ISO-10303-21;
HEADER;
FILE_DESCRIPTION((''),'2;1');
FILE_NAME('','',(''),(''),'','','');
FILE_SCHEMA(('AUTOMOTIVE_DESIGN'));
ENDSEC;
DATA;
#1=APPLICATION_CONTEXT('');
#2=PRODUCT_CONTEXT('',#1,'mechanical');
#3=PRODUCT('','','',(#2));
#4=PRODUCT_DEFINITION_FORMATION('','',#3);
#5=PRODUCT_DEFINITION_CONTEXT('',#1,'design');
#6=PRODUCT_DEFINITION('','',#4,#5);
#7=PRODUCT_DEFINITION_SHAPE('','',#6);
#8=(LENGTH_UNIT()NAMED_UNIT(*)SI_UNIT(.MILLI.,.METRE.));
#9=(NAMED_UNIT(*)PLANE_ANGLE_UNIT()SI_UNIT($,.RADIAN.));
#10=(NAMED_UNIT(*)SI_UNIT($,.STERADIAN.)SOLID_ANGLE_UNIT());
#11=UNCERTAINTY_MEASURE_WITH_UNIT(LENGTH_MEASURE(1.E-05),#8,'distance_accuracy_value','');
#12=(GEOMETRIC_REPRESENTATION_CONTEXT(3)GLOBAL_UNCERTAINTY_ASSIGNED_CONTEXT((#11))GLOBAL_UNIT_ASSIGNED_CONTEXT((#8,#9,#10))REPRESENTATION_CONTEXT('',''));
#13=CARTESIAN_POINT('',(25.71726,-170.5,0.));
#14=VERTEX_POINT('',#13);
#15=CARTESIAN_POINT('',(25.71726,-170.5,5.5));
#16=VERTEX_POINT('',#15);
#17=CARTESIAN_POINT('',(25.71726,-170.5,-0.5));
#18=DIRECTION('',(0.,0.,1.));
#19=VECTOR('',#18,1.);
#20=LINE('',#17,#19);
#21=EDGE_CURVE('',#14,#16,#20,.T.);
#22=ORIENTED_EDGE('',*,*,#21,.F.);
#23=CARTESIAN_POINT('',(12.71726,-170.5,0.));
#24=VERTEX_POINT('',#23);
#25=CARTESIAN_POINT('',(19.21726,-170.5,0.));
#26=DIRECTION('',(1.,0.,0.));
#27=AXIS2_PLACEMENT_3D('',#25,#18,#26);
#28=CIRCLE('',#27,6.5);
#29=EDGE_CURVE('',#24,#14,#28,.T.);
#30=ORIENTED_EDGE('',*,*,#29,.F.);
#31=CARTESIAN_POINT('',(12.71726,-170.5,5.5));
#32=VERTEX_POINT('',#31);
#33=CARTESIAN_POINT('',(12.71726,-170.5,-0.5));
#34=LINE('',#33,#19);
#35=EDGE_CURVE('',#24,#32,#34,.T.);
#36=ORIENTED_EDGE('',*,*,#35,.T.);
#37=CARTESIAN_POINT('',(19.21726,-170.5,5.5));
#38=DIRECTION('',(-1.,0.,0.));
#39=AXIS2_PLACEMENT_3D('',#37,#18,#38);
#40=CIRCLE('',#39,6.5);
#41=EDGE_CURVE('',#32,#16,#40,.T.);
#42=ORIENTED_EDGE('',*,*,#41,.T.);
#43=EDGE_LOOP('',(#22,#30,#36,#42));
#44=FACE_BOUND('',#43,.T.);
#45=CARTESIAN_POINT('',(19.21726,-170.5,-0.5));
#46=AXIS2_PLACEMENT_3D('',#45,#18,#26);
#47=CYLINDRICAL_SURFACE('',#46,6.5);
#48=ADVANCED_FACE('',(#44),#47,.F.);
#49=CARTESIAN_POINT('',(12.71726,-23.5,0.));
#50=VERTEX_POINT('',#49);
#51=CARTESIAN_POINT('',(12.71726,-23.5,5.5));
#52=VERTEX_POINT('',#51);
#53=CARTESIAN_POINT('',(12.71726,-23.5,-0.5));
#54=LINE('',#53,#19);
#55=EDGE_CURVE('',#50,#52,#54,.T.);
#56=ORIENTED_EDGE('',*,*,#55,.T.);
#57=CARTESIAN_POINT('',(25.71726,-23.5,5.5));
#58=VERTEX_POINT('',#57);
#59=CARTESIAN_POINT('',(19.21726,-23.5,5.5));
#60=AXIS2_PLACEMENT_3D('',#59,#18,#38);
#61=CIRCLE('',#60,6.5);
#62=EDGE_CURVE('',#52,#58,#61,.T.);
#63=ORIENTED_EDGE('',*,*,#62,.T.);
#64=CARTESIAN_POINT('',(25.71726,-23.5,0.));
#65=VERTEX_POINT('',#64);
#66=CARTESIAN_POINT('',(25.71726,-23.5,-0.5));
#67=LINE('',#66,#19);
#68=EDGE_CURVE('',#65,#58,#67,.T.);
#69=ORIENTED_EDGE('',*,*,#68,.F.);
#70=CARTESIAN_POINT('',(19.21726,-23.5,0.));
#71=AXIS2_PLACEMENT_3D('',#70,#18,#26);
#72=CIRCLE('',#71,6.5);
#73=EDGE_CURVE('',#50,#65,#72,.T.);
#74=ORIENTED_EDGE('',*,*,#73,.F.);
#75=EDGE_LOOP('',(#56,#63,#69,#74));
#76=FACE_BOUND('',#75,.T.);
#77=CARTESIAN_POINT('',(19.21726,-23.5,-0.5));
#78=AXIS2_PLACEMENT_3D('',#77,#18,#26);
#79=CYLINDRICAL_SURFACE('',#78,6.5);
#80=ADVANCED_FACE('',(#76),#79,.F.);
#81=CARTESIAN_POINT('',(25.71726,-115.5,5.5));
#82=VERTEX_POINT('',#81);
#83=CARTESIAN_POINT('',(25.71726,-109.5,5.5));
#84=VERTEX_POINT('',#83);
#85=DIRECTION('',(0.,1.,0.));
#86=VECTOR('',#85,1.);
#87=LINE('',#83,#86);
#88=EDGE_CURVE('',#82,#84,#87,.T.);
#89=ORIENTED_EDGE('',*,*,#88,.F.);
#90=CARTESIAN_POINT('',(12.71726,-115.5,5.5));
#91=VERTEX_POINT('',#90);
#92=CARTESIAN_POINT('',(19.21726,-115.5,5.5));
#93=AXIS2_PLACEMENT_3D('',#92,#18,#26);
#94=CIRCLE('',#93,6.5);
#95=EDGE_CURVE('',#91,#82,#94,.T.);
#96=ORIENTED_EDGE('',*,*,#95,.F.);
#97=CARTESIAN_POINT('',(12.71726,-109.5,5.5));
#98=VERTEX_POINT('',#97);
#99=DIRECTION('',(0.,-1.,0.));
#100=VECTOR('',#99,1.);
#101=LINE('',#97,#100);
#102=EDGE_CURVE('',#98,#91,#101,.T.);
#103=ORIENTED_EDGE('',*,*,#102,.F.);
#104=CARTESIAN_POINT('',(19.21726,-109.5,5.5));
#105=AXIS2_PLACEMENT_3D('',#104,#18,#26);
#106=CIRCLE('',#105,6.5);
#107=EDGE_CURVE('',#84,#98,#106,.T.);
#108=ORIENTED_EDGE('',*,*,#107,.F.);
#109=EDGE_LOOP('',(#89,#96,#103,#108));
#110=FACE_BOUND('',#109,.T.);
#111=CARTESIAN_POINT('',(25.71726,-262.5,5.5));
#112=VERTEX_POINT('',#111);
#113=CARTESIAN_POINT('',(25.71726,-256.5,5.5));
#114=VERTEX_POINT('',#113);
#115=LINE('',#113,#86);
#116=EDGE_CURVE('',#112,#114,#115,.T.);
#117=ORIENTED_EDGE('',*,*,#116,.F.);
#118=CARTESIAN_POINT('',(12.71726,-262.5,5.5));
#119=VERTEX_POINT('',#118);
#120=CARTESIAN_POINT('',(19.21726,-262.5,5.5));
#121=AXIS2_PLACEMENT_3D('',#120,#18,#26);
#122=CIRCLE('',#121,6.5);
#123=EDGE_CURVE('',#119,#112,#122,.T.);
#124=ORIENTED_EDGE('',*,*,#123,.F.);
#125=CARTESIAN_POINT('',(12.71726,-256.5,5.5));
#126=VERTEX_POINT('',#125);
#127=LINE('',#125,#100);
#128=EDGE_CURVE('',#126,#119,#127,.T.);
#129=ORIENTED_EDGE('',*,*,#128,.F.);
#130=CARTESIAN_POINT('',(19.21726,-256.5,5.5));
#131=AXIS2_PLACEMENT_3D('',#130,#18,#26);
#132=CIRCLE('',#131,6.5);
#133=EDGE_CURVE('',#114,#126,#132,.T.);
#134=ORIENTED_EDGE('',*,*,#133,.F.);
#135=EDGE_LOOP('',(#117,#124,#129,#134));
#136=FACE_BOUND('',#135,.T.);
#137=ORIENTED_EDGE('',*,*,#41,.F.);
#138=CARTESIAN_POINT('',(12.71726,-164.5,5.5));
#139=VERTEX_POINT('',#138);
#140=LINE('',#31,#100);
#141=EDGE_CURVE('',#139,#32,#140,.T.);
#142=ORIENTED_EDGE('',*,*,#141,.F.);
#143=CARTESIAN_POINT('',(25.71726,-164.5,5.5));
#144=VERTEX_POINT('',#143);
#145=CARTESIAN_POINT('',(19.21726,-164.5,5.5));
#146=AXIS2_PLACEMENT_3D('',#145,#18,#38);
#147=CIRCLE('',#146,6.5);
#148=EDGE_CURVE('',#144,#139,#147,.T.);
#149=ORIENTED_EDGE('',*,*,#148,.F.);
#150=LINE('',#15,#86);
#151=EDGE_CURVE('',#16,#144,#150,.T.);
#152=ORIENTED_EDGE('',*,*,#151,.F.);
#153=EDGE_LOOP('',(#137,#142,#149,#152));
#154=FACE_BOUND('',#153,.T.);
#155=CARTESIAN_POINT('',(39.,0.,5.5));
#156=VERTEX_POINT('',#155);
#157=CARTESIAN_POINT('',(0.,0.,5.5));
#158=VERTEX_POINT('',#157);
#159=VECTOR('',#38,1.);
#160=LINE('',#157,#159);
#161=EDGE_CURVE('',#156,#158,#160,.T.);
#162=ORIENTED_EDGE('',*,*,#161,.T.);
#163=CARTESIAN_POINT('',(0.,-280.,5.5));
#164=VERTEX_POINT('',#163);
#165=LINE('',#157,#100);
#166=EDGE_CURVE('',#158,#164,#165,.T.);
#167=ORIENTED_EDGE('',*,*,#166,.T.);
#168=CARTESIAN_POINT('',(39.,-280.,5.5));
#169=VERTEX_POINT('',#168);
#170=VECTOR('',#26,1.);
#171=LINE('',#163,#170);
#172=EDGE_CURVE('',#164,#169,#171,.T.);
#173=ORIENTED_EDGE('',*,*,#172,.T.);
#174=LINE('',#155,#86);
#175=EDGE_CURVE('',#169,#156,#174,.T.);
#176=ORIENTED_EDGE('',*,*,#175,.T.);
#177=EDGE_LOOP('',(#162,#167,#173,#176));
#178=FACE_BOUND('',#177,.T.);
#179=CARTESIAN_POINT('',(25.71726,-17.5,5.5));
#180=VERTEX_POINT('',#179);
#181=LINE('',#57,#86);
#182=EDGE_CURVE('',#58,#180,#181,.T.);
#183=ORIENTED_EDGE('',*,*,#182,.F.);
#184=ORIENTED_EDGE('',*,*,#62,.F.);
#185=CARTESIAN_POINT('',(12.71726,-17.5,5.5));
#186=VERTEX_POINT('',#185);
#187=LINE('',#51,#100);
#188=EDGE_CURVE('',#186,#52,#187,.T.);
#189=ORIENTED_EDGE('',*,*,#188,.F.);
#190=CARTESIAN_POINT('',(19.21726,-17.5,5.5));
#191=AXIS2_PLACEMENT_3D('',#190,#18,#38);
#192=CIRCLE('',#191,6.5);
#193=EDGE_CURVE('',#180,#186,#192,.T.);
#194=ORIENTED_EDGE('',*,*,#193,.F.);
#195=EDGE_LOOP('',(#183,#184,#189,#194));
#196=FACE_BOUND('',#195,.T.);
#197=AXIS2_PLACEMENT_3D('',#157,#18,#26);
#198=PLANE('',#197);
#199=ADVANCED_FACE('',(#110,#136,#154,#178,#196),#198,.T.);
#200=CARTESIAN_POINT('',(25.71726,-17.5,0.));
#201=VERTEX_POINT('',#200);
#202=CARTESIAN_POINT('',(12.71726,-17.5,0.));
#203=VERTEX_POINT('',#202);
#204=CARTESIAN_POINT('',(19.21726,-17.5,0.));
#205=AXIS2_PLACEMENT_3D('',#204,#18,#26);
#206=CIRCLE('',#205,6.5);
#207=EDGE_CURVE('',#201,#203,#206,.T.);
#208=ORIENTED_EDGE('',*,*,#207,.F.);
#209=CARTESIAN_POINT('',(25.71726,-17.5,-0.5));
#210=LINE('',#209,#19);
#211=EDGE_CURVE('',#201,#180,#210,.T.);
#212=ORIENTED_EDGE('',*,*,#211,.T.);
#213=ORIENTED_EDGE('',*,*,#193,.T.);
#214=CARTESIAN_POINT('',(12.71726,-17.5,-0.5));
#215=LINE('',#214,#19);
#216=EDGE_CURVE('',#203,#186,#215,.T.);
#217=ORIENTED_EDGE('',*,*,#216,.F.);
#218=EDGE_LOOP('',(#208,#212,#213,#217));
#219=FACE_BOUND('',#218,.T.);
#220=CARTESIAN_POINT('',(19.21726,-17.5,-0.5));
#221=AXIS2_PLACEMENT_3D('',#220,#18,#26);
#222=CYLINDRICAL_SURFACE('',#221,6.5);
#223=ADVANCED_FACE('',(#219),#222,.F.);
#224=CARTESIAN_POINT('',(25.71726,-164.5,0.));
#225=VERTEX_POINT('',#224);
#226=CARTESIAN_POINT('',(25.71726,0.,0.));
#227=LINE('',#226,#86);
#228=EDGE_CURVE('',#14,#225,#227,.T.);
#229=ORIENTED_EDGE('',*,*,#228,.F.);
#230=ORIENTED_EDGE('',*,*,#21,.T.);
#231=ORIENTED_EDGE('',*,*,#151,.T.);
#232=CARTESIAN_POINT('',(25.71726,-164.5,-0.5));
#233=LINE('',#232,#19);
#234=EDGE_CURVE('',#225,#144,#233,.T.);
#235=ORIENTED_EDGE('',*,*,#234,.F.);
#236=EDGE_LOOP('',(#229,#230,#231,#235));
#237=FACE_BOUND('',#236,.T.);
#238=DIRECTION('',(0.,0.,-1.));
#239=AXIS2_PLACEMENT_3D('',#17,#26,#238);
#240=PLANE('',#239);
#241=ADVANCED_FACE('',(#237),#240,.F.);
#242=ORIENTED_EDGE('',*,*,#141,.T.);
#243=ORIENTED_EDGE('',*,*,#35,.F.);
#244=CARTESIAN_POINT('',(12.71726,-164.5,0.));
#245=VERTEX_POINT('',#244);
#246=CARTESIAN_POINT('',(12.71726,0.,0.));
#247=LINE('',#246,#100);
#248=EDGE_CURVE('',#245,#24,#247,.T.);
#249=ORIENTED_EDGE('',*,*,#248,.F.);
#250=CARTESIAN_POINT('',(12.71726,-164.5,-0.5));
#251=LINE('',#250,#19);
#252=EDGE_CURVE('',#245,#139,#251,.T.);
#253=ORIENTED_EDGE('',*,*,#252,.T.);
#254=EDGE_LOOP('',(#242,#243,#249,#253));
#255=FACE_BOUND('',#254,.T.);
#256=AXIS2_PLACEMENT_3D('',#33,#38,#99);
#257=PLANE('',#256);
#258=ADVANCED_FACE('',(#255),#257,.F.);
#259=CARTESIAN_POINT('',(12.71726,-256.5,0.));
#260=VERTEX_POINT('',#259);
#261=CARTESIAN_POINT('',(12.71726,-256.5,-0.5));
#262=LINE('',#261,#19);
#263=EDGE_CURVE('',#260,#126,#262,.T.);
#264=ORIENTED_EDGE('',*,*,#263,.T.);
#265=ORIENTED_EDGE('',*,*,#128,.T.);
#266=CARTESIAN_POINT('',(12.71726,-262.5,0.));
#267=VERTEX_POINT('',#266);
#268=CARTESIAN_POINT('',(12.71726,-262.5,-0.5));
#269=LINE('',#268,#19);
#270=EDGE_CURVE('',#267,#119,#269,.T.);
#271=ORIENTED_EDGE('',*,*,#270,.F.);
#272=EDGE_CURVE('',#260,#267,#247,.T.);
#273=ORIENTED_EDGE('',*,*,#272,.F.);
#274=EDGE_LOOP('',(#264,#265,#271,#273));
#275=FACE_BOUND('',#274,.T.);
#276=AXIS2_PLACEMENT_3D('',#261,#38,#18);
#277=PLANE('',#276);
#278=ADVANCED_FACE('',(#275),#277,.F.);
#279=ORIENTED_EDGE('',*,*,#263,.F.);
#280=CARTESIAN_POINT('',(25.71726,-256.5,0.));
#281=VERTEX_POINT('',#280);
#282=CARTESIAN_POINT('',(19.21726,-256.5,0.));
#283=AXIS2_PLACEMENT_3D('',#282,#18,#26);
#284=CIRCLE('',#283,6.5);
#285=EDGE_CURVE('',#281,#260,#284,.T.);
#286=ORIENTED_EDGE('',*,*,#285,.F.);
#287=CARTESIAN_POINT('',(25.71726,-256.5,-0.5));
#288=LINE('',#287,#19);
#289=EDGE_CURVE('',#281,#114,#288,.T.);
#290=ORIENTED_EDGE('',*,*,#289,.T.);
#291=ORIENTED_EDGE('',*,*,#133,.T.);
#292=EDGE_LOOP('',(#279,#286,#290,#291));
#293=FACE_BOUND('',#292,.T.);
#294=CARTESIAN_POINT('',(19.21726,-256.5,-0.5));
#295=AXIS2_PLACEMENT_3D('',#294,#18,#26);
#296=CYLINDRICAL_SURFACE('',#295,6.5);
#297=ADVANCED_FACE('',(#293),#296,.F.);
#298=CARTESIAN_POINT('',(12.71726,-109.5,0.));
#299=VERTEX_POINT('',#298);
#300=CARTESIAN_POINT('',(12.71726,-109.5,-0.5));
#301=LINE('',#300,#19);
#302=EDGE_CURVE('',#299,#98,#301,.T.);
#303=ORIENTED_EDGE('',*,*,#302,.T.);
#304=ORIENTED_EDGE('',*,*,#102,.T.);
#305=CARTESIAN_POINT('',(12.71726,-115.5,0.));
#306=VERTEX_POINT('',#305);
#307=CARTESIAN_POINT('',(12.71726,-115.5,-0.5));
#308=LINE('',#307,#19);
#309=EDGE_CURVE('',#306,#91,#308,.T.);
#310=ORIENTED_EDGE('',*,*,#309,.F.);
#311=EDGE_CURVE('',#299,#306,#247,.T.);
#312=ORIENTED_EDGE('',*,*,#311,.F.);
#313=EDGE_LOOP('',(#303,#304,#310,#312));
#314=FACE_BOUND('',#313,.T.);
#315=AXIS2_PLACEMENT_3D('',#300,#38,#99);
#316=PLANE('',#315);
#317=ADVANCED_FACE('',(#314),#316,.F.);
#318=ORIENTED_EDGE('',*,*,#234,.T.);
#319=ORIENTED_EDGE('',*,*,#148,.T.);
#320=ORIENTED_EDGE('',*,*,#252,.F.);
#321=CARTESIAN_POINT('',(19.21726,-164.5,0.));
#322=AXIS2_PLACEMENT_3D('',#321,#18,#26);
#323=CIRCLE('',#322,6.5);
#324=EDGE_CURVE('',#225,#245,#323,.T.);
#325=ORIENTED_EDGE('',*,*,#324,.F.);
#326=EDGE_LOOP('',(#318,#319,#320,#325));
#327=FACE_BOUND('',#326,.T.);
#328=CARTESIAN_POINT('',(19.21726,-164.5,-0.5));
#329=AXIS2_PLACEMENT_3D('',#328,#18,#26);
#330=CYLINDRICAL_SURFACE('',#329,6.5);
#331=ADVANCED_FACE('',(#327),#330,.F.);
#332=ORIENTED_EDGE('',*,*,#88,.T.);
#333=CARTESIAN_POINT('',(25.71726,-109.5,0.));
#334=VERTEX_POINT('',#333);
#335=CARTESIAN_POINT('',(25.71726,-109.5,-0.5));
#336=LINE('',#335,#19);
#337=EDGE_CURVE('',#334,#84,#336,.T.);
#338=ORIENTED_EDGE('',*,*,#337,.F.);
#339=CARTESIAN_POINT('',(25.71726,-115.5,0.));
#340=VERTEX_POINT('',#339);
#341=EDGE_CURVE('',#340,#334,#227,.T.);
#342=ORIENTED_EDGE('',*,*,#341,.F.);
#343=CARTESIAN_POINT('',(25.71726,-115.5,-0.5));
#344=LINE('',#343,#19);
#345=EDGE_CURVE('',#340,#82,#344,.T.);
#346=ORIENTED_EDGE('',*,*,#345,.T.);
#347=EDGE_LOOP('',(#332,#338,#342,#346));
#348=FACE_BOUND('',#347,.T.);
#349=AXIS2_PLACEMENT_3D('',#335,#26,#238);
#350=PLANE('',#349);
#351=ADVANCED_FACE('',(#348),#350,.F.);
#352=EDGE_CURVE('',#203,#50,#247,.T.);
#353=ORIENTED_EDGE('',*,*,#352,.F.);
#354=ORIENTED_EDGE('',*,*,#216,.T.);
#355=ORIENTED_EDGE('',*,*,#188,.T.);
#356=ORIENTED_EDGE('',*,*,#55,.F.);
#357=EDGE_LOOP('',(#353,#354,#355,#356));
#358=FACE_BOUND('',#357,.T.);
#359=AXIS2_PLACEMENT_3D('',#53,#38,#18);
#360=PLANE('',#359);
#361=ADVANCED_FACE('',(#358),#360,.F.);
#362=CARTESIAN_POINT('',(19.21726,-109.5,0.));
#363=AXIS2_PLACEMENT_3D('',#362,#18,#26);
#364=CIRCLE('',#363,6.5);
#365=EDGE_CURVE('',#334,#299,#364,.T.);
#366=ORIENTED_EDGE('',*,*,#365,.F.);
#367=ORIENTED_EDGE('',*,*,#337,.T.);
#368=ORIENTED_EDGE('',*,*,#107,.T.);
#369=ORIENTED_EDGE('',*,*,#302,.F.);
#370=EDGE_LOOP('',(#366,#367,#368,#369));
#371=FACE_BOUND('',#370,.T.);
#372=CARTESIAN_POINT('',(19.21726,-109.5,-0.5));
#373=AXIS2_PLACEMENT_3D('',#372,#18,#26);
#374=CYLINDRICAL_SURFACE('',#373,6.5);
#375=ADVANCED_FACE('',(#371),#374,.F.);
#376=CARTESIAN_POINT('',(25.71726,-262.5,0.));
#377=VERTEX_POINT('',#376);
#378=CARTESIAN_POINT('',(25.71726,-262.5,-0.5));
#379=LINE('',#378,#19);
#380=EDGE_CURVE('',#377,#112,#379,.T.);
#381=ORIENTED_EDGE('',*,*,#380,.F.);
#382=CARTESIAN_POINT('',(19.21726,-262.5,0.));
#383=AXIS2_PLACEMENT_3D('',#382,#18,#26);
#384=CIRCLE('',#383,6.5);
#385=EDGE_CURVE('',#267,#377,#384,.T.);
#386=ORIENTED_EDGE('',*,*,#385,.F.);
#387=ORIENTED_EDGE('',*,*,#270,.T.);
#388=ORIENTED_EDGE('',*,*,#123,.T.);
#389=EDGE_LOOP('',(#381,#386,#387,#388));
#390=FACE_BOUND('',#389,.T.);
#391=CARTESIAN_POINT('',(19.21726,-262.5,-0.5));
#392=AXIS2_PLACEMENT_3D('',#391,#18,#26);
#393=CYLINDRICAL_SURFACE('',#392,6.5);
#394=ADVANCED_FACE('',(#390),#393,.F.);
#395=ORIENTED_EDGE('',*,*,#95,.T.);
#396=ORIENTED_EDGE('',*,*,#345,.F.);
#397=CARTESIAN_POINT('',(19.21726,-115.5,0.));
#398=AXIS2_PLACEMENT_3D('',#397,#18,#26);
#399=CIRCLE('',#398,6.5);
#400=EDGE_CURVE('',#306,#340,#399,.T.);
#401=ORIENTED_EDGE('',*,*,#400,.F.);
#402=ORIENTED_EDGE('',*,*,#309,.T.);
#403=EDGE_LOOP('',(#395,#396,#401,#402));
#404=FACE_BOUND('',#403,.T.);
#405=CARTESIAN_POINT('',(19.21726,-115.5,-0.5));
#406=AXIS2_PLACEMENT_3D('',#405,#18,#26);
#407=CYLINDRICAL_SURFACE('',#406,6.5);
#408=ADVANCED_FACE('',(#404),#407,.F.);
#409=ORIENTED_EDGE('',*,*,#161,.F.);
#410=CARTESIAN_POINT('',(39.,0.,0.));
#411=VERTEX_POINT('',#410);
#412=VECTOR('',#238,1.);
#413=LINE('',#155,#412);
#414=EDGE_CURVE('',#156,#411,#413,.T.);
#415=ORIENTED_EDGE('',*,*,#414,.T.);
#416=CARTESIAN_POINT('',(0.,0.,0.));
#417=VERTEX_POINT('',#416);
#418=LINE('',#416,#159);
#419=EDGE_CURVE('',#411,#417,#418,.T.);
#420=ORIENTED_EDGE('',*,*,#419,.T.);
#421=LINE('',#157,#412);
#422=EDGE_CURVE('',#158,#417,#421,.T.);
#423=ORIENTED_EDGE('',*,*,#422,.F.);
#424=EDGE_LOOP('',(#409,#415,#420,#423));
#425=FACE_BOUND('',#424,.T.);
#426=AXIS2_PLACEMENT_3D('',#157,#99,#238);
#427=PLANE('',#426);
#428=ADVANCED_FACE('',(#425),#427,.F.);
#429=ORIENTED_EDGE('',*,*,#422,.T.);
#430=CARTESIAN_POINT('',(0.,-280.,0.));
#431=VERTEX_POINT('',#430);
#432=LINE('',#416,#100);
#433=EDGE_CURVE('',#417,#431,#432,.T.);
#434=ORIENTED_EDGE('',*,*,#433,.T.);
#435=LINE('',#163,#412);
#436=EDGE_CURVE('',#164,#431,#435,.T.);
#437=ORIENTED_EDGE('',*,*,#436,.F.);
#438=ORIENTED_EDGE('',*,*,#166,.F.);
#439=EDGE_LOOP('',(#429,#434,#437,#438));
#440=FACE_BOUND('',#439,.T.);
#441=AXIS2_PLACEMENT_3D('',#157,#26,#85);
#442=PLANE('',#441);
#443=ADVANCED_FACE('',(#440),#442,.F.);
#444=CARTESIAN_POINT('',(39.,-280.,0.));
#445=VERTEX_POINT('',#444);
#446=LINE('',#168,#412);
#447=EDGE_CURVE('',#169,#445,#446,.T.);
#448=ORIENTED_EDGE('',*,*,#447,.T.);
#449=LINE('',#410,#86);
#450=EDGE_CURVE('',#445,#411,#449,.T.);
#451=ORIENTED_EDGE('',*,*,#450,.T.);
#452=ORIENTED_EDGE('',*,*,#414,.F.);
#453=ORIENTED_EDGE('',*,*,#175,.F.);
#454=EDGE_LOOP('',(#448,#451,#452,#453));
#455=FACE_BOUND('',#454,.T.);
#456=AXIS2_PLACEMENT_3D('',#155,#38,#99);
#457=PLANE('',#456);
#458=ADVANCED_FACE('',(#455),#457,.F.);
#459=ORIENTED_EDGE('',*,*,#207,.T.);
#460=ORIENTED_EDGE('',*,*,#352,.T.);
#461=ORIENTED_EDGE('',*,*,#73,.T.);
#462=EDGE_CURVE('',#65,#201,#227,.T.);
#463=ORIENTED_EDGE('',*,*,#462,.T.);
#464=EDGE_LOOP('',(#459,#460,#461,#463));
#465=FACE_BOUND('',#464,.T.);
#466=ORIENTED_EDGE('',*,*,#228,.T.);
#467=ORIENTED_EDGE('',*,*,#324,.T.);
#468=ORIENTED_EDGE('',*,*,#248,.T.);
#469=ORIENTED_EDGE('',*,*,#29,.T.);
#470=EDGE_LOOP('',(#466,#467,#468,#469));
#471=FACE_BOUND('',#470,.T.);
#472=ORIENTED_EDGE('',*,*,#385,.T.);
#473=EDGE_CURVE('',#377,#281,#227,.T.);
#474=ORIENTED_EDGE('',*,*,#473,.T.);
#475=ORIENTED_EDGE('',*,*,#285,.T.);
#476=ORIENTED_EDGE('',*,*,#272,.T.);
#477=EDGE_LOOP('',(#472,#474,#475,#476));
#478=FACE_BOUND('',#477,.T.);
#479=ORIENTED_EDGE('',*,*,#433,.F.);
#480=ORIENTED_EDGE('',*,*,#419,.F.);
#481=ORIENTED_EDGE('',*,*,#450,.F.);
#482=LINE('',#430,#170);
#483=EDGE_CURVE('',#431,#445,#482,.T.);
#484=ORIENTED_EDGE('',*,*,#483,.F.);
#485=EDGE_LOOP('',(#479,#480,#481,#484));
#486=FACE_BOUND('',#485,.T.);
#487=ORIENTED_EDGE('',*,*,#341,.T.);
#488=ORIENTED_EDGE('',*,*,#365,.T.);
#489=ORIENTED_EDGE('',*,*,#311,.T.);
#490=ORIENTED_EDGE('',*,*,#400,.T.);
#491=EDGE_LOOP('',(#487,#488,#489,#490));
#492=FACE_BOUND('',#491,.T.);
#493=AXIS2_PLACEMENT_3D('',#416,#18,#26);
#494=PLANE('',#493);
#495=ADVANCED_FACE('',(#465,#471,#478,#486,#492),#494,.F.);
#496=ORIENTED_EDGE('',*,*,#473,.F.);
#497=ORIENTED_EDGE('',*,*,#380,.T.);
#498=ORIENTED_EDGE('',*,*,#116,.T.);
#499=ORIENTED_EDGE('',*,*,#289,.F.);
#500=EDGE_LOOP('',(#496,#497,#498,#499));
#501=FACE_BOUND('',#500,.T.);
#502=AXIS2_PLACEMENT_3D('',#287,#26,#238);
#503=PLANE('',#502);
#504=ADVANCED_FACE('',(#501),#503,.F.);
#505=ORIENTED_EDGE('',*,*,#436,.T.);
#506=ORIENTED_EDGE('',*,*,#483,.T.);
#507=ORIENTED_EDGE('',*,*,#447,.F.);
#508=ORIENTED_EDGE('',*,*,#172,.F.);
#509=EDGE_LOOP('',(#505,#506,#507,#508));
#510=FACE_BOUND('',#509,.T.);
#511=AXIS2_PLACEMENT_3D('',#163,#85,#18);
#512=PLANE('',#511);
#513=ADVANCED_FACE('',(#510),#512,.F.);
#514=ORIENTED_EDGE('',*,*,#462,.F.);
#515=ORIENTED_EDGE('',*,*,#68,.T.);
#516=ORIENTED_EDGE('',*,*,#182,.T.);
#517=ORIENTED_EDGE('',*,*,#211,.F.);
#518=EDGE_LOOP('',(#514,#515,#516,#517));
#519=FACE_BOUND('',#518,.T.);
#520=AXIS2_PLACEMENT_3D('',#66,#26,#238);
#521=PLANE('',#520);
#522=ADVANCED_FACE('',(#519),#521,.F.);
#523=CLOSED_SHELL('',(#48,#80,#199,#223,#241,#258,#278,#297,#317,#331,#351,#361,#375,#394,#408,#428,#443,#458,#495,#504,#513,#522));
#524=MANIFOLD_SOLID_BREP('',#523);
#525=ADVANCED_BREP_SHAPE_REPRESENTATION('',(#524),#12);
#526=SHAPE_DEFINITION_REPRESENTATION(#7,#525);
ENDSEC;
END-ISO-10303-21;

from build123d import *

# Parameters (mm, degrees)
SKETCH1_W           = 39
SKETCH1_H           = 280
BOSS_EXTRUDE1_DEPTH = 5.5
CUT_EXTRUDE2_DEPTH  = 6


with BuildPart() as part:
    # Sketch1 → Boss-Extrude1 (new body)
    with BuildSketch(Plane.XY):
        with Locations((19.5, -140)):
            Rectangle(SKETCH1_W, SKETCH1_H)
    extrude(amount=BOSS_EXTRUDE1_DEPTH)

    # Sketch4 → Cut-Extrude2 (cut)
    with BuildSketch(Plane.XY.offset(5.5)):
        with BuildLine():
            Line((25.717260001, -170.5), (25.717260001, -164.5))
            ThreePointArc((25.717260001, -164.5), (19.217260001, -158), (12.717260001, -164.5))
            Line((12.717260001, -164.5), (12.717260001, -170.5))
            ThreePointArc((12.717260001, -170.5), (19.217260001, -177), (25.717260001, -170.5))
        make_face()
        with BuildLine():
            Line((25.717260001, -109.5), (25.717260001, -115.5))
            ThreePointArc((25.717260001, -115.5), (19.217260001, -122), (12.717260001, -115.5))
            Line((12.717260001, -115.5), (12.717260001, -109.5))
            ThreePointArc((12.717260001, -109.5), (19.217260001, -103), (25.717260001, -109.5))
        make_face()
        with BuildLine():
            Line((25.717260001, -23.5), (25.717260001, -17.5))
            ThreePointArc((25.717260001, -17.5), (19.217260001, -11), (12.717260001, -17.5))
            Line((12.717260001, -17.5), (12.717260001, -23.5))
            ThreePointArc((12.717260001, -23.5), (19.217260001, -30), (25.717260001, -23.5))
        make_face()
        with BuildLine():
            Line((25.717260001, -256.5), (25.717260001, -262.5))
            ThreePointArc((25.717260001, -262.5), (19.217260001, -269), (12.717260001, -262.5))
            Line((12.717260001, -262.5), (12.717260001, -256.5))
            ThreePointArc((12.717260001, -256.5), (19.217260001, -250), (25.717260001, -256.5))
        make_face()
    extrude(amount=-CUT_EXTRUDE2_DEPTH, mode=Mode.SUBTRACT)


solid = part.part
